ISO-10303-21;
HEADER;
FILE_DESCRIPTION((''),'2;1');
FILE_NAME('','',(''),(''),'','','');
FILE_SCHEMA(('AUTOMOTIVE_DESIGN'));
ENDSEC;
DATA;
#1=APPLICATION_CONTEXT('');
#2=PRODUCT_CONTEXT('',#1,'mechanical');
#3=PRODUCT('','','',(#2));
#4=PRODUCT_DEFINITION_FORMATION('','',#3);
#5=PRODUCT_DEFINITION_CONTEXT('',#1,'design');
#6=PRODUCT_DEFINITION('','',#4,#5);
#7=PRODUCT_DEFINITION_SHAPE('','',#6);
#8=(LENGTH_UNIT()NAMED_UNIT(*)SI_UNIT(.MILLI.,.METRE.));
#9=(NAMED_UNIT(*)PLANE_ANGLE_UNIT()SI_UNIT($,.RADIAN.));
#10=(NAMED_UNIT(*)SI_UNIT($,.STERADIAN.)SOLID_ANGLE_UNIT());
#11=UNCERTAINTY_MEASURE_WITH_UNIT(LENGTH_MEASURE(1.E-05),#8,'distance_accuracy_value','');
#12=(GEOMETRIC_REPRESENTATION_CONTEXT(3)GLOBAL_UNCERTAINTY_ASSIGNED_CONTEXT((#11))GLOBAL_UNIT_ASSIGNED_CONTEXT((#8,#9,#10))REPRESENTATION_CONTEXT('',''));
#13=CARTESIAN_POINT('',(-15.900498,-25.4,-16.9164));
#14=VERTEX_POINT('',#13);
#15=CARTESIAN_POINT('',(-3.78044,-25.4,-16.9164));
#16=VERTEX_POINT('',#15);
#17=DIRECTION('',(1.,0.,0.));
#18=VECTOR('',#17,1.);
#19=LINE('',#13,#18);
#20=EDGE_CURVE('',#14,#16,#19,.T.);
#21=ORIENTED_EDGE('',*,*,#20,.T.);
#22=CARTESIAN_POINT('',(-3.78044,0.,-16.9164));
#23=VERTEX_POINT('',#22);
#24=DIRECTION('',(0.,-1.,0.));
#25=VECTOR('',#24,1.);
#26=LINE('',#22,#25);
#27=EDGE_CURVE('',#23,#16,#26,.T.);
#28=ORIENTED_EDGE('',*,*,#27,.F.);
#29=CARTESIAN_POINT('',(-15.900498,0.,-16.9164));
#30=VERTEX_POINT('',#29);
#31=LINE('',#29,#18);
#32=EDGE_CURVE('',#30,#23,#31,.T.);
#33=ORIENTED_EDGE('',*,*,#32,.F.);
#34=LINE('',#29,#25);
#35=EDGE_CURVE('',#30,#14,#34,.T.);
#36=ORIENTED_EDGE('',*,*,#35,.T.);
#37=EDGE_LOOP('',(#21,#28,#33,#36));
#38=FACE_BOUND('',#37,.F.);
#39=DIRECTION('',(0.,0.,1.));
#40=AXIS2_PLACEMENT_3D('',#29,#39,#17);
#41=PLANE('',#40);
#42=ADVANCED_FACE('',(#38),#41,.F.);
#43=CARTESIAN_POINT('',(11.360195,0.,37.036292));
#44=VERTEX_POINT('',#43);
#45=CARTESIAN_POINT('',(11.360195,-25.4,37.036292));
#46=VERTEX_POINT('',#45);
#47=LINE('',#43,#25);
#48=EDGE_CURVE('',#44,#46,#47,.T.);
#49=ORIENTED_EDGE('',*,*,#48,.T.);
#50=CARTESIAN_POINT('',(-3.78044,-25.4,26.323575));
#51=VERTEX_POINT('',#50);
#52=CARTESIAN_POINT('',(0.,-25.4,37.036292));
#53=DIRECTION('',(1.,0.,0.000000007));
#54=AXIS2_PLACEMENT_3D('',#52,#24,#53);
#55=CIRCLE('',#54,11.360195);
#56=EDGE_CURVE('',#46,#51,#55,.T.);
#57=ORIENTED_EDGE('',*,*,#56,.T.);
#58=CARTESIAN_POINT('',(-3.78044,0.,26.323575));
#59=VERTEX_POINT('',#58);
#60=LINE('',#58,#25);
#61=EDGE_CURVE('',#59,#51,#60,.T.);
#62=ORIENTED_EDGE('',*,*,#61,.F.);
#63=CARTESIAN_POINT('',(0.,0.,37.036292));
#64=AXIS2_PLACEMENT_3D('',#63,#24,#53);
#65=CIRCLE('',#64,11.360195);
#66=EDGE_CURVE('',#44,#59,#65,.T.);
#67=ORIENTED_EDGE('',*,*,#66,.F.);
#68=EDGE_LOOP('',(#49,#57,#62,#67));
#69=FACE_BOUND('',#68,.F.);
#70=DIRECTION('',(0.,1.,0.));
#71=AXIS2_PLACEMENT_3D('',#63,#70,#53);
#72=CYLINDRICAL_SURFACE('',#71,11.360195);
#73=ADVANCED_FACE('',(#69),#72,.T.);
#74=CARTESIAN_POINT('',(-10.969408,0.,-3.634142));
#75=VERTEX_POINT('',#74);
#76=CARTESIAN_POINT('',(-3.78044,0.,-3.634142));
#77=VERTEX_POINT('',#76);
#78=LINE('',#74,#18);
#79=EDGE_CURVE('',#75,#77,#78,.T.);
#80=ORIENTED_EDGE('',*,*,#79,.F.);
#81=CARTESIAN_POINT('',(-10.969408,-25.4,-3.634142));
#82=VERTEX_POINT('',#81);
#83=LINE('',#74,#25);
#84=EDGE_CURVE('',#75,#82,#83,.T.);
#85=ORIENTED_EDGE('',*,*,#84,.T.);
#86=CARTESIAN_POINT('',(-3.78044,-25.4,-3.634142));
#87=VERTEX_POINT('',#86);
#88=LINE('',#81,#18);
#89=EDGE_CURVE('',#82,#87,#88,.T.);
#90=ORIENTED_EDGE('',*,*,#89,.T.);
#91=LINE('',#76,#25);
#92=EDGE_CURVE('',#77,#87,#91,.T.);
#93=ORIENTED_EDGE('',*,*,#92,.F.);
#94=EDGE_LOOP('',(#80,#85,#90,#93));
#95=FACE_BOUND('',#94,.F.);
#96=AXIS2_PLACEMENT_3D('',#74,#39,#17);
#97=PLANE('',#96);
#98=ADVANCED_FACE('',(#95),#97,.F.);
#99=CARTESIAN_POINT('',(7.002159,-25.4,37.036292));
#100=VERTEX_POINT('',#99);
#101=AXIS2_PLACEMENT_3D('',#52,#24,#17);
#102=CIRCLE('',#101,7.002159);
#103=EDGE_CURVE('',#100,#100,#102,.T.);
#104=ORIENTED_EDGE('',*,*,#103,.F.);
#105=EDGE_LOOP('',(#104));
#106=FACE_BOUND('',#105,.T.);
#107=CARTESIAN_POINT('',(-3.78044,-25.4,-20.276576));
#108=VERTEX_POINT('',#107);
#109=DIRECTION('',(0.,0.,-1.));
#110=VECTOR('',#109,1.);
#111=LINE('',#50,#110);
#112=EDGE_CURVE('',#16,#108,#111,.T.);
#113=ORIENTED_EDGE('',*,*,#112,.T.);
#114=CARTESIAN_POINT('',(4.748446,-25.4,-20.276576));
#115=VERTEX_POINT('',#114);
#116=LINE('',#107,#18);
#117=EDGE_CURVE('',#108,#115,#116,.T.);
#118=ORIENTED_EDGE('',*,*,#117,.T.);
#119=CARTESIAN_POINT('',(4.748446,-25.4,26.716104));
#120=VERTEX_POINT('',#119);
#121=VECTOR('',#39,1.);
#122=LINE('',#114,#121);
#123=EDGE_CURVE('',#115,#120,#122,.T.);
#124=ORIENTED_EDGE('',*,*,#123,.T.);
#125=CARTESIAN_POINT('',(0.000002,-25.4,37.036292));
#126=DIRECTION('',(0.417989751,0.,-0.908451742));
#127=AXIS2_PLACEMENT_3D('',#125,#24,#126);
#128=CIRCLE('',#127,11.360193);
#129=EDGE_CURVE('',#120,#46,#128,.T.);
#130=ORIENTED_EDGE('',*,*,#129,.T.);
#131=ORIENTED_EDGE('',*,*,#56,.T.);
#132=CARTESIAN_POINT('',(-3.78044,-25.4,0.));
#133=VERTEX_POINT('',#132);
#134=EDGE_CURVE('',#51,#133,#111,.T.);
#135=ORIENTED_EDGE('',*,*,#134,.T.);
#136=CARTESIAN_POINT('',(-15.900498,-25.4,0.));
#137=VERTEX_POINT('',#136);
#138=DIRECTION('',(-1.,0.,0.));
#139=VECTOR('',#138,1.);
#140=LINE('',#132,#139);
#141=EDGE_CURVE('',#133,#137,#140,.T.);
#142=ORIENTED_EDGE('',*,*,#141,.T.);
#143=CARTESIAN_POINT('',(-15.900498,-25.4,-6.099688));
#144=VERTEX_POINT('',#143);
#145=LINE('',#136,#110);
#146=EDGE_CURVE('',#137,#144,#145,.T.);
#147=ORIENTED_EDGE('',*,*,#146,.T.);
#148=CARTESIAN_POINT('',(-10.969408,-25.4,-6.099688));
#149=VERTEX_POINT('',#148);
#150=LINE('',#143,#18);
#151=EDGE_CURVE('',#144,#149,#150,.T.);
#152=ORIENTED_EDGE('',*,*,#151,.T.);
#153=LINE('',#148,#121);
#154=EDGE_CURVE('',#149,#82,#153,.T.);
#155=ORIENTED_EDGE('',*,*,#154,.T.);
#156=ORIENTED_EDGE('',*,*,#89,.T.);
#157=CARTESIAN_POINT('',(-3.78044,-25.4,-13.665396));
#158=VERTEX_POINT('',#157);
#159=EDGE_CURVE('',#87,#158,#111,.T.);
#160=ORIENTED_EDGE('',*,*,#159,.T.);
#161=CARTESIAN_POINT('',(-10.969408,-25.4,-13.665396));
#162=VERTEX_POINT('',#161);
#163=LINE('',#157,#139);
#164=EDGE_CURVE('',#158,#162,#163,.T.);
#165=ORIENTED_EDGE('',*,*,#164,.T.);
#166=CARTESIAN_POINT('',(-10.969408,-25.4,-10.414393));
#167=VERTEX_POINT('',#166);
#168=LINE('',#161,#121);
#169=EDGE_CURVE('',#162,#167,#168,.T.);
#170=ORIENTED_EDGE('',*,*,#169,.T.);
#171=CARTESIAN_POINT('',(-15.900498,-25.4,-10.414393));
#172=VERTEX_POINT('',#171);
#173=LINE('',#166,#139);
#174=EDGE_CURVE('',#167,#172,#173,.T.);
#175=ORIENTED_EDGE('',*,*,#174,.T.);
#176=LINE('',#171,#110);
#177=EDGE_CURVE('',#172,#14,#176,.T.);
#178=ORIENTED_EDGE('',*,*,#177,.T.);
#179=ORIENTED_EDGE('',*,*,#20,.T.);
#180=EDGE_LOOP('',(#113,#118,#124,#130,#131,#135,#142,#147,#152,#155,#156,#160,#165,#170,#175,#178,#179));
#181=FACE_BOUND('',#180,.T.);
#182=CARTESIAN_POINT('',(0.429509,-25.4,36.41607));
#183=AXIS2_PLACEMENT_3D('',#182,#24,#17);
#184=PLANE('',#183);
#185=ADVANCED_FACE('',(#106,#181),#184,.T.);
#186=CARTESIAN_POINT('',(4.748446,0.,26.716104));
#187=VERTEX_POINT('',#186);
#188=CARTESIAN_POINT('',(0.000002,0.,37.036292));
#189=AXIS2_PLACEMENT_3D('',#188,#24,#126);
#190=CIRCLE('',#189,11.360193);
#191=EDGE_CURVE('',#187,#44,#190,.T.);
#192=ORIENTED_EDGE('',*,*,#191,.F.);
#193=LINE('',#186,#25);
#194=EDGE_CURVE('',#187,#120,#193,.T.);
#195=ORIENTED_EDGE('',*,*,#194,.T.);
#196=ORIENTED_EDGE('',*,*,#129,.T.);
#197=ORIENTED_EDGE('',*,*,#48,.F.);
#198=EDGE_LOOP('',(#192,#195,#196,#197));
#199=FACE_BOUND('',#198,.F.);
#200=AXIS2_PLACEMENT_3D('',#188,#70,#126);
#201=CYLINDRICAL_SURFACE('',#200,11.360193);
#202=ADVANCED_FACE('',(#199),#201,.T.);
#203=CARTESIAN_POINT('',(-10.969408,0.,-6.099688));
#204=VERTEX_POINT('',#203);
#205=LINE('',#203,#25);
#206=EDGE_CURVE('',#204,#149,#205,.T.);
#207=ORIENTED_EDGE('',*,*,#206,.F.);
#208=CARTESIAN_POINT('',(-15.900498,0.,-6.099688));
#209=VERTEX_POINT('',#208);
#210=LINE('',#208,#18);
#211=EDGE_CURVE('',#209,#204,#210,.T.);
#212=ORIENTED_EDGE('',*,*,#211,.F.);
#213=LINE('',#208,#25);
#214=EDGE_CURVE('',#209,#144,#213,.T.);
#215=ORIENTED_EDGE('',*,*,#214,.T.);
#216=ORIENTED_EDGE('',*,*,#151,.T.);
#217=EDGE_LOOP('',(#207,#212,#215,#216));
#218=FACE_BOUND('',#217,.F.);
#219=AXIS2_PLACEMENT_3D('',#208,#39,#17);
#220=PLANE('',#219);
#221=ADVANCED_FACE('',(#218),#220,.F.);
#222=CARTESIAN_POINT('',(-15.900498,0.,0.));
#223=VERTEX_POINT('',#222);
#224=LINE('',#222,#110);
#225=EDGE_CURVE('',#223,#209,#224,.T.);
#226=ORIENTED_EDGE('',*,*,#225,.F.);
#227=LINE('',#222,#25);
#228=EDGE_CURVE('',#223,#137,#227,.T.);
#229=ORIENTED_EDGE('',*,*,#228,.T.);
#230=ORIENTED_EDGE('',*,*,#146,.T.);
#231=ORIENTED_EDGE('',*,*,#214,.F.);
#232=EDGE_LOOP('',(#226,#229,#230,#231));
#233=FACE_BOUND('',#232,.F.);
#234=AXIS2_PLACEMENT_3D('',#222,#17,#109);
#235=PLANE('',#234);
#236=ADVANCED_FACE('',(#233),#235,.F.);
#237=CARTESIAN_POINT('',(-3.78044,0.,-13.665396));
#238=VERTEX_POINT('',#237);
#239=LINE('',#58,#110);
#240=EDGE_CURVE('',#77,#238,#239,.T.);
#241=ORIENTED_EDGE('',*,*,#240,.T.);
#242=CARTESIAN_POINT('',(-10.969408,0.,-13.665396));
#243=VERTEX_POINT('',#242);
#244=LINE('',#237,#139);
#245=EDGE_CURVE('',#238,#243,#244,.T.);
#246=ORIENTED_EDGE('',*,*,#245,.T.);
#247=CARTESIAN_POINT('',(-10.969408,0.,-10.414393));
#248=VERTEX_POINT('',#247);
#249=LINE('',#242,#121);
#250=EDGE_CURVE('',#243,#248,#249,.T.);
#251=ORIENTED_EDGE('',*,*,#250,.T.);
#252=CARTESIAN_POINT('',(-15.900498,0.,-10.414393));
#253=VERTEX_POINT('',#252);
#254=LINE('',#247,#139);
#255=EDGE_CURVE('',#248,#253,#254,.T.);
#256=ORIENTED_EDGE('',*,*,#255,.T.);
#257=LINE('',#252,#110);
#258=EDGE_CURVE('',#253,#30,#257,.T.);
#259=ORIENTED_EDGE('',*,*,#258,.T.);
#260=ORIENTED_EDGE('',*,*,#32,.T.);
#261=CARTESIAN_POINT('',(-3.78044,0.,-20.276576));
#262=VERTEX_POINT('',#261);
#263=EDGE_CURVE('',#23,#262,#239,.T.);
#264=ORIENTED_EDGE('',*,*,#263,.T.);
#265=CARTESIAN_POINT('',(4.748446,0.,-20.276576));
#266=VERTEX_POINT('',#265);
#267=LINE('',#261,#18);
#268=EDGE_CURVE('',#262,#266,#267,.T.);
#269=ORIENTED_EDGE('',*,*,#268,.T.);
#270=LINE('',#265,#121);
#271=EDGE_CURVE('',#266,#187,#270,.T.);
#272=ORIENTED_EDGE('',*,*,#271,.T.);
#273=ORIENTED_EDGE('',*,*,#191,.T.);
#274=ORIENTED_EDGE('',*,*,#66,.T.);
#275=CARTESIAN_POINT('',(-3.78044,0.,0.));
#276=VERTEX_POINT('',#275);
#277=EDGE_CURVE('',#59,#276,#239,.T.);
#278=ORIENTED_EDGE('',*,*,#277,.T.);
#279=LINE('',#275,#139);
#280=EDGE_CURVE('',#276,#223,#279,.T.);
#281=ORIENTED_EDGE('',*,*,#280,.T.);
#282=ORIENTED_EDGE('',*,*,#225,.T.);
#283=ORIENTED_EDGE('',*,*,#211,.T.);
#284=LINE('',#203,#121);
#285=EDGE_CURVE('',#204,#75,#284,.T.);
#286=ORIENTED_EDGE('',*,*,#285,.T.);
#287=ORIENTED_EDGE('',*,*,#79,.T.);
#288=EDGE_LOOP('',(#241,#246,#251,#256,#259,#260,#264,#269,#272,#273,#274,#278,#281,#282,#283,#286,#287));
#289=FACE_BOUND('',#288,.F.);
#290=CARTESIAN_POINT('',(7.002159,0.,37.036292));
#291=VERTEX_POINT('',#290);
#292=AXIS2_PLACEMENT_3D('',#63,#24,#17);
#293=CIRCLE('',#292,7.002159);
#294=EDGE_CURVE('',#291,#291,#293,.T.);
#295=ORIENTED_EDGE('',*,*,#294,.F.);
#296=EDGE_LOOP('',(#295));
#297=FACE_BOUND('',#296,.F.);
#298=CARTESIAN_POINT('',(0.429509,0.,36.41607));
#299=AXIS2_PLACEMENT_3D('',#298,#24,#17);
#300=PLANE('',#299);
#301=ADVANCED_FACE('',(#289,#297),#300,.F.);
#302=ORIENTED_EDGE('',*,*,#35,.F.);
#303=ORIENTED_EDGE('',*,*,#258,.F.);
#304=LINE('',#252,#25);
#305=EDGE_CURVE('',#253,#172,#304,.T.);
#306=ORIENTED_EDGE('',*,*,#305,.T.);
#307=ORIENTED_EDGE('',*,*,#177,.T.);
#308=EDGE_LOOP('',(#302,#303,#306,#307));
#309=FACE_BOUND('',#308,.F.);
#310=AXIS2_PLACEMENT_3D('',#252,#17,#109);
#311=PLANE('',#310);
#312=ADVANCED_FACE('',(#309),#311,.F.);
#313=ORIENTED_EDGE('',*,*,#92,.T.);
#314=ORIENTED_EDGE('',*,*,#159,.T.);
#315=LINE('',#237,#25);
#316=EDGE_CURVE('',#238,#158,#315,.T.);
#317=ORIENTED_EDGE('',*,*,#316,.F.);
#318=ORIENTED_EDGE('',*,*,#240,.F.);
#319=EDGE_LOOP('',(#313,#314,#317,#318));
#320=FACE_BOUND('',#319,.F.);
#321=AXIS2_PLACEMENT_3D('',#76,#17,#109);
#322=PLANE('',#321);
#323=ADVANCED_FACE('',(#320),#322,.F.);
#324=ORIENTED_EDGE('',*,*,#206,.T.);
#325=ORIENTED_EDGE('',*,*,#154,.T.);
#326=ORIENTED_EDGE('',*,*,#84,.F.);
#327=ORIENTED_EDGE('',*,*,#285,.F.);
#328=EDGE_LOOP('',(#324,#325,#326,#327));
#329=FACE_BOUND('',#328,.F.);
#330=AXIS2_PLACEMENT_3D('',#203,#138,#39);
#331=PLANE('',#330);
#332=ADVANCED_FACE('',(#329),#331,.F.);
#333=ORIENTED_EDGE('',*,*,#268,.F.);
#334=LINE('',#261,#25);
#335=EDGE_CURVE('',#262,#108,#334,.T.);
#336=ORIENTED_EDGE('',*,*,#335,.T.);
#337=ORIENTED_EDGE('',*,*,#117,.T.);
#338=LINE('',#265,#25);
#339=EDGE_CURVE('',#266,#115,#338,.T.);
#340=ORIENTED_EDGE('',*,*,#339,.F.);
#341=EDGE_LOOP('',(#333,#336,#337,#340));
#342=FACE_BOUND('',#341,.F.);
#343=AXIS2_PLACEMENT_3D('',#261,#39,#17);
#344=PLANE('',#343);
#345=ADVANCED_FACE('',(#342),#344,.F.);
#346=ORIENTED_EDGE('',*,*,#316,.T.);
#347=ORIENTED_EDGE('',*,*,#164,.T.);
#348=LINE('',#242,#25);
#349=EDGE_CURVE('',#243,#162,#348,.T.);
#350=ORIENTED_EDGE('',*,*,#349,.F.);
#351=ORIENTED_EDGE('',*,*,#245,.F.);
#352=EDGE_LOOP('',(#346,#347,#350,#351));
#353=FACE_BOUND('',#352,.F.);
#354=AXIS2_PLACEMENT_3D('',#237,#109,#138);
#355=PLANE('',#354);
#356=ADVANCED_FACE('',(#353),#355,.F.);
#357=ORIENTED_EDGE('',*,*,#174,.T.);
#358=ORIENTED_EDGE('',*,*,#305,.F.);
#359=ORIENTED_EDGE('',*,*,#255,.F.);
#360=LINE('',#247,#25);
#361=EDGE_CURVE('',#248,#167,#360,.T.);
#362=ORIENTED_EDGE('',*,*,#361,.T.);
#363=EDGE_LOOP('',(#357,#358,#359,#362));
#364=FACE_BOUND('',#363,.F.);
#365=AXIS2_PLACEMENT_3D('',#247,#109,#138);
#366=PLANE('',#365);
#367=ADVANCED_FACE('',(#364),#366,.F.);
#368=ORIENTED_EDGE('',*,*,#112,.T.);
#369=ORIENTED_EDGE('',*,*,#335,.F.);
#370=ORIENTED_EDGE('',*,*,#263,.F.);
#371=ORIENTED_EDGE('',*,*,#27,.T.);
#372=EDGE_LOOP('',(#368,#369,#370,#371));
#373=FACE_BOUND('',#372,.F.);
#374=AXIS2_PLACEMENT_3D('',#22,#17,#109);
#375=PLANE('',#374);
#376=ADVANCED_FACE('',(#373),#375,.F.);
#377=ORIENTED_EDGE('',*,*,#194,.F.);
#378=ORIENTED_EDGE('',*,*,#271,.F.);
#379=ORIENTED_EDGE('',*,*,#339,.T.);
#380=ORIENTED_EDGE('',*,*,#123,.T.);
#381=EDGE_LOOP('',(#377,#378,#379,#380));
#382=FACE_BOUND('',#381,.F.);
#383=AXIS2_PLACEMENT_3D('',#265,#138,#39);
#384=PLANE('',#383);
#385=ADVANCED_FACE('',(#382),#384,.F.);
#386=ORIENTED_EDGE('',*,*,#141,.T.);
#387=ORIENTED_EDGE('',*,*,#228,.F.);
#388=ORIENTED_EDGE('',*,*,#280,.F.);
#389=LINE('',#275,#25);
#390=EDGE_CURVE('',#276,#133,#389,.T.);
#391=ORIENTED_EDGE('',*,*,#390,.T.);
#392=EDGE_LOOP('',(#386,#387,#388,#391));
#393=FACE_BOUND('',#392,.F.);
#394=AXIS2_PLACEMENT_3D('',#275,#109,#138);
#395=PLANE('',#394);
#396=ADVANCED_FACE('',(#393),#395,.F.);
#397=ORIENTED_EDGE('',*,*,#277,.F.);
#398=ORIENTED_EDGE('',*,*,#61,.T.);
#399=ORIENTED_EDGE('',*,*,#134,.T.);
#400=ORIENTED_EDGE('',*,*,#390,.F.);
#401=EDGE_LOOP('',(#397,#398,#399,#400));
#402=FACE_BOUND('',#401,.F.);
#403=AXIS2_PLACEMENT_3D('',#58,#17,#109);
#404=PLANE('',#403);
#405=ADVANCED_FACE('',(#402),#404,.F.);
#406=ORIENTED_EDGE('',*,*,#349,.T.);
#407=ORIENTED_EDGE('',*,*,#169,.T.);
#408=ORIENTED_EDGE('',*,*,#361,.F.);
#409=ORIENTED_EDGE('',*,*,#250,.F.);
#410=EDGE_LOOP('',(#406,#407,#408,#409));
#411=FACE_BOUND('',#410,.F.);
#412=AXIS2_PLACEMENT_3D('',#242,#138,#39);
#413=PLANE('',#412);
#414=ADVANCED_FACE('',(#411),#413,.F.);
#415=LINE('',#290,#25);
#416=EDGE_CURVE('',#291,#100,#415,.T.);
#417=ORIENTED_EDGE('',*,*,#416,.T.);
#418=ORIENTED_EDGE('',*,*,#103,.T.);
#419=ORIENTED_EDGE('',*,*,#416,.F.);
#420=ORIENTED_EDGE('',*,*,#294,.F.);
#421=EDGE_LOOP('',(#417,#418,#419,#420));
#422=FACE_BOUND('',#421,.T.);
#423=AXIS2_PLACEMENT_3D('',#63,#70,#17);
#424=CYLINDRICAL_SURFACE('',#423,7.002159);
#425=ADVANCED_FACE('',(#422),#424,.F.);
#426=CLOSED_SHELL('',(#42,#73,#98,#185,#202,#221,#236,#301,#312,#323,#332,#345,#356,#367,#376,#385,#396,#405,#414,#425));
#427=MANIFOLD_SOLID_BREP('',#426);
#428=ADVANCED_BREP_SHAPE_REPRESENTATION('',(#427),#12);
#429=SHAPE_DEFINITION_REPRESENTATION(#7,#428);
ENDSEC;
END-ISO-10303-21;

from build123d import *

# Parameters (mm, degrees)
F0_R     = 7.002159
F1_DEPTH = 25.4


with BuildPart() as f1:
    # F0 (on Front) → F1 (new body)
    with BuildSketch(Plane.XZ):
        with BuildLine():
            ThreePointArc((4.748446, 26.716104), (9.565493, 30.908048), (11.360195, 37.036292))
            ThreePointArc((11.360195, 37.036292), (-6.561535, 46.309926), (-3.78044, 26.323575))
            ThreePointArc((-3.78044, 26.323575), (0.522282, 25.688109), (4.748446, 26.716104))
        make_face()
        with Locations((0, 37.036292)):
            Circle(F0_R, mode=Mode.SUBTRACT)
        with BuildLine():
            ThreePointArc((4.748446, 26.716104), (0.522282, 25.688109), (-3.78044, 26.323575))
            Line((-3.78044, 26.323575), (-3.78044, 0))
            Line((-3.78044, 0), (-3.78044, -3.634142))
            Line((-3.78044, -3.634142), (-3.78044, -13.665396))
            Line((-3.78044, -13.665396), (-3.78044, -16.9164))
            Line((-3.78044, -16.9164), (-3.78044, -20.276576))
            Line((-3.78044, -20.276576), (4.748446, -20.276576))
            Line((4.748446, -20.276576), (4.748446, 26.716104))
        make_face()
        Polygon((-3.78044, -3.634142), (-3.78044, 0), (-15.900498, 0), (-15.900498, -6.099688), (-10.969408, -6.099688), (-10.969408, -3.634142), align=None)
        Polygon((-3.78044, -16.9164), (-3.78044, -13.665396), (-10.969408, -13.665396), (-10.969408, -10.414393), (-15.900498, -10.414393), (-15.900498, -16.9164), align=None)
    extrude(amount=F1_DEPTH)


solid = f1.part
